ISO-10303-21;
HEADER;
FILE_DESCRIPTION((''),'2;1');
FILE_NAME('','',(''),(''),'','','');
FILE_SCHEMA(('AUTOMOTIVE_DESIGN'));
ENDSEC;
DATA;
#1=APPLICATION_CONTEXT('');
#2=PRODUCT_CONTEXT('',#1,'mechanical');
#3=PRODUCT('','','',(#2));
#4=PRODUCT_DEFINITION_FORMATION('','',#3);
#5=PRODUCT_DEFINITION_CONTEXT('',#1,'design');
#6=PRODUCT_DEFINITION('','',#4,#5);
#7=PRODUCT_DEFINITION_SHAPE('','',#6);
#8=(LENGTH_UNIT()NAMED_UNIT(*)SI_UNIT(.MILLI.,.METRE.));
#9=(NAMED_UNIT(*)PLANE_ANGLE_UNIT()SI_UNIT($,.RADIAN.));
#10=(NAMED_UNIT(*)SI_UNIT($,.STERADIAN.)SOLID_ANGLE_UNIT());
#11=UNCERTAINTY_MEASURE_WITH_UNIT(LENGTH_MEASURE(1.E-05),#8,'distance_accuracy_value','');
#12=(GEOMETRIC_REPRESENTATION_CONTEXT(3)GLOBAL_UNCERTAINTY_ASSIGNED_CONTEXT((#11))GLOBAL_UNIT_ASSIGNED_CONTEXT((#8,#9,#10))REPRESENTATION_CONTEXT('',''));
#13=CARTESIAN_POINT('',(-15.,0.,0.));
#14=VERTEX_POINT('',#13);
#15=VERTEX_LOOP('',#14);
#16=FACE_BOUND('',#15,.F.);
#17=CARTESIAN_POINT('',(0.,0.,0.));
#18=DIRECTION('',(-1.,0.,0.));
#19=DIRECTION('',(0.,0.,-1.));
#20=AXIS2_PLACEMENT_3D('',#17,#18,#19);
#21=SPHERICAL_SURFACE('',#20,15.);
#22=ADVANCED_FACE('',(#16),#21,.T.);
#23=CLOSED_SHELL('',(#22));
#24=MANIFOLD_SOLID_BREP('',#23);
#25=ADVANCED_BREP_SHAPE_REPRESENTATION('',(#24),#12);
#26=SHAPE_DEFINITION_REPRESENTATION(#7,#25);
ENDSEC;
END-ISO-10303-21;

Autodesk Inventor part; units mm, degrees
ref_plane "YZ Plane" through (0, 0, 0) normal (1, 0, 0) x (0, 1, 0)
ref_plane "XZ Plane" through (0, 0, 0) normal (0, 1, 0) x (-1, 0, 0)
ref_plane "XY Plane" through (0, 0, 0) normal (0, 0, 1) x (1, 0, 0)
sketch "Sketch1" plane through (0, 0, 0) normal (0, 1, 0) x (-1, 0, 0)
  circle A0 centre (0, 0) radius 15
  line L0 (15, 0) -> (-15, 0)
  dimension "d0" = 30
revolve "Revolution1" add sketch "Sketch1" angle 360 about axis through (-15, 0, 0) along (1, 0, 0) picked at (-4.4273, -2.3236) contours A0 L0
properties part number "kula"
